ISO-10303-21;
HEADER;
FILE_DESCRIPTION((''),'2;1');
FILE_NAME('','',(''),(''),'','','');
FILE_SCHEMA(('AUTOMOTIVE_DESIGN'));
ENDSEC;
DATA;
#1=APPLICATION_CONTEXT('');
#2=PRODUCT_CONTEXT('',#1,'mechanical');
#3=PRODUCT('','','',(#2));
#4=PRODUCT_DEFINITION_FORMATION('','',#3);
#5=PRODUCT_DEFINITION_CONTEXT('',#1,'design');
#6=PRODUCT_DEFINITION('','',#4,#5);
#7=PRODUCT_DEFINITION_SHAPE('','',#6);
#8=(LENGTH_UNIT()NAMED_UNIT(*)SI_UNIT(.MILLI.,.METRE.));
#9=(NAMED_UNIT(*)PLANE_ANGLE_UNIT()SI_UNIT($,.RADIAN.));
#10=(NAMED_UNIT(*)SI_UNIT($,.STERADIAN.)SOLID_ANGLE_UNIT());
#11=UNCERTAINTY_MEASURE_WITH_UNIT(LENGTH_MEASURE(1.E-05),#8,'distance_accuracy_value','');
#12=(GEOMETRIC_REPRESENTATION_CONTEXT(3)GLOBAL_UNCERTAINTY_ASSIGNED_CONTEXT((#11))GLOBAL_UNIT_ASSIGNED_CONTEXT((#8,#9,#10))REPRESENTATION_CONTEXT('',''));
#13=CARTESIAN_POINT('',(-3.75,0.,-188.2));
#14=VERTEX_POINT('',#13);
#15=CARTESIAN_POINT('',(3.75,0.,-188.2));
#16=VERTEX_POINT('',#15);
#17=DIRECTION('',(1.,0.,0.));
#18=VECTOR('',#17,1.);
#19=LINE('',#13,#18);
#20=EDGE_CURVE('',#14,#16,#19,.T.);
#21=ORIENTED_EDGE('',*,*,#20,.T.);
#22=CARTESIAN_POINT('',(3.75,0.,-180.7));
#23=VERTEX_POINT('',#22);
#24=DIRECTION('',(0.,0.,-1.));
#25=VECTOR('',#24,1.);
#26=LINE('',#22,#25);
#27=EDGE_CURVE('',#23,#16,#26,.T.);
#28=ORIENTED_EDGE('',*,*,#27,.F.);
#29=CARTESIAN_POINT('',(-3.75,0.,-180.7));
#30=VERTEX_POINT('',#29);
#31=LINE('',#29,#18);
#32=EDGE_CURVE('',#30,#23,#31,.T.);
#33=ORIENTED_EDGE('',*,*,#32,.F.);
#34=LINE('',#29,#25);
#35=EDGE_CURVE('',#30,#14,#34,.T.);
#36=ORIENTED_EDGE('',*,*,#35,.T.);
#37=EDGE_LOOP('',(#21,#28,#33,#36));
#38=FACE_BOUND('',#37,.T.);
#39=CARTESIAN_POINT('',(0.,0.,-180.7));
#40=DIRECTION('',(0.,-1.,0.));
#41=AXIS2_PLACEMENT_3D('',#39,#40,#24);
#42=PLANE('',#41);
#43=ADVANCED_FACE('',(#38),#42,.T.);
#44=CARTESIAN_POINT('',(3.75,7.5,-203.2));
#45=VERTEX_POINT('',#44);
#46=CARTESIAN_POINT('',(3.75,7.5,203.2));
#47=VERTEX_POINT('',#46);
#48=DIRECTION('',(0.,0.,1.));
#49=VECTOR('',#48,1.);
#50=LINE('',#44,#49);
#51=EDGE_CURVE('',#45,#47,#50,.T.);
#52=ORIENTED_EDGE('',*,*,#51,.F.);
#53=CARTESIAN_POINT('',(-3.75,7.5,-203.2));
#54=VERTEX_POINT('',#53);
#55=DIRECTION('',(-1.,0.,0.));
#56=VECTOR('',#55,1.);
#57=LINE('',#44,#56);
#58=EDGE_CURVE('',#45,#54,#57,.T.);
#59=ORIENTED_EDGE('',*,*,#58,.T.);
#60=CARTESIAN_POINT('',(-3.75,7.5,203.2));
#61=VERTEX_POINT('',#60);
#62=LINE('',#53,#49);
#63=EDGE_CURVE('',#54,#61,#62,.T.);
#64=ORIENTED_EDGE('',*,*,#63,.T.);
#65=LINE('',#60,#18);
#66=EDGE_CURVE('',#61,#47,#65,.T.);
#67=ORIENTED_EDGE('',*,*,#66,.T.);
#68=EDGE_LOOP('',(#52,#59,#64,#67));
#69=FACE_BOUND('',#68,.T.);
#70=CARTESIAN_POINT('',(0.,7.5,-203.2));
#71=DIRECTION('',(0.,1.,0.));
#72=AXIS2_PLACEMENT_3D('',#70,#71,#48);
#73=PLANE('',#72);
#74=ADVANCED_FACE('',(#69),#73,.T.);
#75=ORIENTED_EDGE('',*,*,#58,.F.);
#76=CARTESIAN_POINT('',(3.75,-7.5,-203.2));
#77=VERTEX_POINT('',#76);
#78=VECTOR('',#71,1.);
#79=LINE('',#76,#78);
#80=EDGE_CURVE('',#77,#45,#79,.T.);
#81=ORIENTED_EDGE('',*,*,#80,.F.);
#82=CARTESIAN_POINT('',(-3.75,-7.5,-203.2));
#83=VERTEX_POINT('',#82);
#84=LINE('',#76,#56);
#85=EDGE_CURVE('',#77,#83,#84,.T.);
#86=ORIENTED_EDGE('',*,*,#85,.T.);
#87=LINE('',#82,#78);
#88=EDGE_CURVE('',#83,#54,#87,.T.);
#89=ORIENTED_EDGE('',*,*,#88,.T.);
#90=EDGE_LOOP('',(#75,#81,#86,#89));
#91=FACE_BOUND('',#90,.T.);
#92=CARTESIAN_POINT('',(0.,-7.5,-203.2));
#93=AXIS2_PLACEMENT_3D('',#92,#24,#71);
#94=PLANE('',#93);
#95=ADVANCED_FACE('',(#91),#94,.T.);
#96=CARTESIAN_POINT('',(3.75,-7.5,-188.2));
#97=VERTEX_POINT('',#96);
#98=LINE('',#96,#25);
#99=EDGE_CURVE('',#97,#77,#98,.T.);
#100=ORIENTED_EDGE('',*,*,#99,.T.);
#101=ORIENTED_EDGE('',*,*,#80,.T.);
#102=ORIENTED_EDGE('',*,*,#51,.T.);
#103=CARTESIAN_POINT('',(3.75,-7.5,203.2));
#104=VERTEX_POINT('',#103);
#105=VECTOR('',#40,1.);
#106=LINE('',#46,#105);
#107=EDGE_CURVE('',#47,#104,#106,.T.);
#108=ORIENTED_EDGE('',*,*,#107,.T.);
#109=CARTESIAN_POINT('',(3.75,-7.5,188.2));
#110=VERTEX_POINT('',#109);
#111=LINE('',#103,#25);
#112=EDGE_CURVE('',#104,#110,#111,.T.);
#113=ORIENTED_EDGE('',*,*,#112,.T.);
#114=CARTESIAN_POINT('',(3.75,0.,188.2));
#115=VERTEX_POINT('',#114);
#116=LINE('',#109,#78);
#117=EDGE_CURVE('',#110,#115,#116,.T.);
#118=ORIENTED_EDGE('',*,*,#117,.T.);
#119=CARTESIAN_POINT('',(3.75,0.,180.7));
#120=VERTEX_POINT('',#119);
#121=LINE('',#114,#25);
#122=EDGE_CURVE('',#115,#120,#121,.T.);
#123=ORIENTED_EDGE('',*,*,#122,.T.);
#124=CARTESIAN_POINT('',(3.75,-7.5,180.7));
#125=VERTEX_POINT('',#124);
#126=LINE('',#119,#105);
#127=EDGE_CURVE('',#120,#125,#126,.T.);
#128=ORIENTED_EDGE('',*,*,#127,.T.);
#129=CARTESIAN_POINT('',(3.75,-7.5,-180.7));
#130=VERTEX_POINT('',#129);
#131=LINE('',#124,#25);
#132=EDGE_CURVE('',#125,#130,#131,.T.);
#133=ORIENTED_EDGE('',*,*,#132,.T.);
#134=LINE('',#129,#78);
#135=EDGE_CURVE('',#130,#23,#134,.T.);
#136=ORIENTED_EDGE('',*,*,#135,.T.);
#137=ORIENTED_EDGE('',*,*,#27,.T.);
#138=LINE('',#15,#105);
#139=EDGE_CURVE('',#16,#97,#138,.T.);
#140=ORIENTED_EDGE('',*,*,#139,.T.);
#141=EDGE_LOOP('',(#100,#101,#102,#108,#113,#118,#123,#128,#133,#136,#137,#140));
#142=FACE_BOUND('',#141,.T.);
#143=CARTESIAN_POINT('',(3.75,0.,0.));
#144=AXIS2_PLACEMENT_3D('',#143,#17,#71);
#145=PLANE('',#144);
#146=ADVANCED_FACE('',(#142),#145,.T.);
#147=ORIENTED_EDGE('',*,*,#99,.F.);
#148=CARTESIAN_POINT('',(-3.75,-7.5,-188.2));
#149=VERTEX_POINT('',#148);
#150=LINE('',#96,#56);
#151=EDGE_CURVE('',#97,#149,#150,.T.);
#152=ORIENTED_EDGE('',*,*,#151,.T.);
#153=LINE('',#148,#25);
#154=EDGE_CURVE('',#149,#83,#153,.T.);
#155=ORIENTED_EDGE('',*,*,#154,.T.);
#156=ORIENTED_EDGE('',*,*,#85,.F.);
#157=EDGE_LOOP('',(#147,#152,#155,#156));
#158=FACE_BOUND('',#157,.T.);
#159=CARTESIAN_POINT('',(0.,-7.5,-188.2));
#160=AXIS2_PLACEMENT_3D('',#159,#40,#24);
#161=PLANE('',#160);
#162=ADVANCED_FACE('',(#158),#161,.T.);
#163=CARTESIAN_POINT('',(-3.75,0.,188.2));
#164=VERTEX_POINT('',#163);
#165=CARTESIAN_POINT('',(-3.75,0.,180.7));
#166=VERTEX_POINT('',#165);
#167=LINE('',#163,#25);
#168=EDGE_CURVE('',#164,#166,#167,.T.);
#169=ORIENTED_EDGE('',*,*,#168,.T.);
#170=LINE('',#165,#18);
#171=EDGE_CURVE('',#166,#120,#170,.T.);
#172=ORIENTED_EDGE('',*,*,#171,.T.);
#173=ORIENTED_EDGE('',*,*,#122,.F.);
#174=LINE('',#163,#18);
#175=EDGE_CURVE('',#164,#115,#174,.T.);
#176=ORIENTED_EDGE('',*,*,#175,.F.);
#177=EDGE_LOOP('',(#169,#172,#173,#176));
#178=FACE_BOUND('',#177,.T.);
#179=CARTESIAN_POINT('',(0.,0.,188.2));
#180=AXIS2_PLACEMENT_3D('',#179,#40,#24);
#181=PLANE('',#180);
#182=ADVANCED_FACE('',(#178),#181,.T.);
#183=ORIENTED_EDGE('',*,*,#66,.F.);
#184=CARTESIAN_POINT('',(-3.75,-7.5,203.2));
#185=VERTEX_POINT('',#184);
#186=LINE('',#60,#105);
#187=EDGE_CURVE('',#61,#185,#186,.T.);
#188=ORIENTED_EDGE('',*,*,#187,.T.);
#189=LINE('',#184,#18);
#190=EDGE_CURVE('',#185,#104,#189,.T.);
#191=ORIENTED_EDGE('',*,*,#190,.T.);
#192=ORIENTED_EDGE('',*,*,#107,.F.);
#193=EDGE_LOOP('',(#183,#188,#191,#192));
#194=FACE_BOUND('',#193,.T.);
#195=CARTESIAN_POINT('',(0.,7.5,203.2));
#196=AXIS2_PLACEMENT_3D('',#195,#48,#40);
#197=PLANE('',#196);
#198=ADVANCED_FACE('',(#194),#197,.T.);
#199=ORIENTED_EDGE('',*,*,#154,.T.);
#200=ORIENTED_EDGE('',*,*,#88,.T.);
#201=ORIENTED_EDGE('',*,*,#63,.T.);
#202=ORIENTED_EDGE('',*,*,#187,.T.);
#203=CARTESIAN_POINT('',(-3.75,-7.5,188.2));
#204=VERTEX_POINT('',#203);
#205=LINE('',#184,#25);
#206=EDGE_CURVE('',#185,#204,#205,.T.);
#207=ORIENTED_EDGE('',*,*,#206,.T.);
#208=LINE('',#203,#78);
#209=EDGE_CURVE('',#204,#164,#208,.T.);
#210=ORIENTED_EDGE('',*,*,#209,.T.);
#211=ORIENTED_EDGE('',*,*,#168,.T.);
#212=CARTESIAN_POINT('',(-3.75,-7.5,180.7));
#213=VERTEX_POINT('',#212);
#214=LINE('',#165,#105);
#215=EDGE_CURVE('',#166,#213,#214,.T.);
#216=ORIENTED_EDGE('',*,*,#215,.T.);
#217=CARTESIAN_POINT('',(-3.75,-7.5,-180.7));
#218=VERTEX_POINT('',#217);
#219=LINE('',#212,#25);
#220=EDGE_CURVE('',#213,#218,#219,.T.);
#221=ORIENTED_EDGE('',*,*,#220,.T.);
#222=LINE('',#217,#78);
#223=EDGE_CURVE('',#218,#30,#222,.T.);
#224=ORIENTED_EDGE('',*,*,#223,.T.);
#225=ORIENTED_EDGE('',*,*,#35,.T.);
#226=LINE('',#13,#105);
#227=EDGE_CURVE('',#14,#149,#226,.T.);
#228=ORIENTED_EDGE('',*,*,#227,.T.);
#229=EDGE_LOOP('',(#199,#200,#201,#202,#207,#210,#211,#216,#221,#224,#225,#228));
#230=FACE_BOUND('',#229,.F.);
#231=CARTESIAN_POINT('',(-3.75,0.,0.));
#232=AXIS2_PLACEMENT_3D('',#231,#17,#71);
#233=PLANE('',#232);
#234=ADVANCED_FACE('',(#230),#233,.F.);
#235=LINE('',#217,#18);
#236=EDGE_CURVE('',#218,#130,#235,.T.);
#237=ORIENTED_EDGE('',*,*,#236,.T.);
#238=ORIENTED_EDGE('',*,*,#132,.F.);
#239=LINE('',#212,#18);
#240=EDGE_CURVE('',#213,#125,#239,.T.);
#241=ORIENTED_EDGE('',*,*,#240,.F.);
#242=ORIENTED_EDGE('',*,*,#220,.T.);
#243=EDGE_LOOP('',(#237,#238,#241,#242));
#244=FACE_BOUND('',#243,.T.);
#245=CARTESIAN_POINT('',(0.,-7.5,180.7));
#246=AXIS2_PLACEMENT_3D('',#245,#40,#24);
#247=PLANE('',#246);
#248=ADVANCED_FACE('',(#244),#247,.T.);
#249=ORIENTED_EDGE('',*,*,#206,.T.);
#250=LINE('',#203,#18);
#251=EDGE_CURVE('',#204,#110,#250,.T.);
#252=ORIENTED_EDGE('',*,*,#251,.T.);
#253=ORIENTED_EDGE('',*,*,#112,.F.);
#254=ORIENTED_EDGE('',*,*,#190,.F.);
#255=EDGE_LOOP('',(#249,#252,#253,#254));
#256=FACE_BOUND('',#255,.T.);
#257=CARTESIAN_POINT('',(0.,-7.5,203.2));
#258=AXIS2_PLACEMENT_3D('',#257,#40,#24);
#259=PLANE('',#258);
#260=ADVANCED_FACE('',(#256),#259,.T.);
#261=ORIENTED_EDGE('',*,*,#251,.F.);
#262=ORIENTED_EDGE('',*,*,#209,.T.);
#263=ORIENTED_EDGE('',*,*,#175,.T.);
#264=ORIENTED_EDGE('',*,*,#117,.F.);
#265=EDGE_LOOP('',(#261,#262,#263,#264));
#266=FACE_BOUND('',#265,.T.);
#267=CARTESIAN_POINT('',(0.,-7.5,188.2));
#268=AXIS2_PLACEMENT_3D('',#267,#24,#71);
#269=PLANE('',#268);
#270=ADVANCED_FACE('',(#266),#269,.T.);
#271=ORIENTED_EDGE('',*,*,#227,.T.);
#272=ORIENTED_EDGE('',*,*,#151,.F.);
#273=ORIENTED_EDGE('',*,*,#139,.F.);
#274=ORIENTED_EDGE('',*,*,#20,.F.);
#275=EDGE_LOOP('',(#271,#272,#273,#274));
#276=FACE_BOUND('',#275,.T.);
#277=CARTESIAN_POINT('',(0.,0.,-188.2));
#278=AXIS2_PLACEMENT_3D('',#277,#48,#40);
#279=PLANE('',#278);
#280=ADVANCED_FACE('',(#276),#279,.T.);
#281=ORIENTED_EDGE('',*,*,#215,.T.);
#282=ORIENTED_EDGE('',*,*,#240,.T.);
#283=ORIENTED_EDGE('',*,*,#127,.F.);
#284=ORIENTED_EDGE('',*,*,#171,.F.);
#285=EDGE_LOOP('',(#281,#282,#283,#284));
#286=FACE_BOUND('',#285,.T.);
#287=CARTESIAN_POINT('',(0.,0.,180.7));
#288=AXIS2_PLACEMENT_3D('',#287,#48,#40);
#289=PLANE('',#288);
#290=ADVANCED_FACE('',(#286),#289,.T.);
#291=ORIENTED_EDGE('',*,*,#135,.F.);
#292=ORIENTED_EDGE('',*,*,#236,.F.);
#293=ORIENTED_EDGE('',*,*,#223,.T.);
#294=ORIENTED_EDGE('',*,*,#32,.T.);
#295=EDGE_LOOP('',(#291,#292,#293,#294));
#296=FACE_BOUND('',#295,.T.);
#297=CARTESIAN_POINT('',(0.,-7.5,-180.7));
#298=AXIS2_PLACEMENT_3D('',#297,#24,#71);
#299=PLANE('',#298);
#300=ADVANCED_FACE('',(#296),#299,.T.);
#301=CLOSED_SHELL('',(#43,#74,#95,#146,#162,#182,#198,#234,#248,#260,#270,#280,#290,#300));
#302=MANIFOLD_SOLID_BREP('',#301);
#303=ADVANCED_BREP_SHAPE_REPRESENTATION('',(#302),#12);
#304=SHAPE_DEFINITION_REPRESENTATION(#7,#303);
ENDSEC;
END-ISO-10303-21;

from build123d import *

# Parameters (mm, degrees)
F1_DEPTH = 3.75


with BuildPart() as f1:
    # F0 (on Right) → F1 (new body, symmetric)
    with BuildSketch(Plane.YZ):
        Polygon((7.5, -203.2), (7.5, 203.2), (-7.5, 203.2), (-7.5, 188.2), (0, 188.2), (0, 180.7), (-7.5, 180.7), (-7.5, -180.7), (0, -180.7), (0, -188.2), (-7.5, -188.2), (-7.5, -203.2), align=None)
    extrude(amount=F1_DEPTH, both=True)


solid = f1.part
